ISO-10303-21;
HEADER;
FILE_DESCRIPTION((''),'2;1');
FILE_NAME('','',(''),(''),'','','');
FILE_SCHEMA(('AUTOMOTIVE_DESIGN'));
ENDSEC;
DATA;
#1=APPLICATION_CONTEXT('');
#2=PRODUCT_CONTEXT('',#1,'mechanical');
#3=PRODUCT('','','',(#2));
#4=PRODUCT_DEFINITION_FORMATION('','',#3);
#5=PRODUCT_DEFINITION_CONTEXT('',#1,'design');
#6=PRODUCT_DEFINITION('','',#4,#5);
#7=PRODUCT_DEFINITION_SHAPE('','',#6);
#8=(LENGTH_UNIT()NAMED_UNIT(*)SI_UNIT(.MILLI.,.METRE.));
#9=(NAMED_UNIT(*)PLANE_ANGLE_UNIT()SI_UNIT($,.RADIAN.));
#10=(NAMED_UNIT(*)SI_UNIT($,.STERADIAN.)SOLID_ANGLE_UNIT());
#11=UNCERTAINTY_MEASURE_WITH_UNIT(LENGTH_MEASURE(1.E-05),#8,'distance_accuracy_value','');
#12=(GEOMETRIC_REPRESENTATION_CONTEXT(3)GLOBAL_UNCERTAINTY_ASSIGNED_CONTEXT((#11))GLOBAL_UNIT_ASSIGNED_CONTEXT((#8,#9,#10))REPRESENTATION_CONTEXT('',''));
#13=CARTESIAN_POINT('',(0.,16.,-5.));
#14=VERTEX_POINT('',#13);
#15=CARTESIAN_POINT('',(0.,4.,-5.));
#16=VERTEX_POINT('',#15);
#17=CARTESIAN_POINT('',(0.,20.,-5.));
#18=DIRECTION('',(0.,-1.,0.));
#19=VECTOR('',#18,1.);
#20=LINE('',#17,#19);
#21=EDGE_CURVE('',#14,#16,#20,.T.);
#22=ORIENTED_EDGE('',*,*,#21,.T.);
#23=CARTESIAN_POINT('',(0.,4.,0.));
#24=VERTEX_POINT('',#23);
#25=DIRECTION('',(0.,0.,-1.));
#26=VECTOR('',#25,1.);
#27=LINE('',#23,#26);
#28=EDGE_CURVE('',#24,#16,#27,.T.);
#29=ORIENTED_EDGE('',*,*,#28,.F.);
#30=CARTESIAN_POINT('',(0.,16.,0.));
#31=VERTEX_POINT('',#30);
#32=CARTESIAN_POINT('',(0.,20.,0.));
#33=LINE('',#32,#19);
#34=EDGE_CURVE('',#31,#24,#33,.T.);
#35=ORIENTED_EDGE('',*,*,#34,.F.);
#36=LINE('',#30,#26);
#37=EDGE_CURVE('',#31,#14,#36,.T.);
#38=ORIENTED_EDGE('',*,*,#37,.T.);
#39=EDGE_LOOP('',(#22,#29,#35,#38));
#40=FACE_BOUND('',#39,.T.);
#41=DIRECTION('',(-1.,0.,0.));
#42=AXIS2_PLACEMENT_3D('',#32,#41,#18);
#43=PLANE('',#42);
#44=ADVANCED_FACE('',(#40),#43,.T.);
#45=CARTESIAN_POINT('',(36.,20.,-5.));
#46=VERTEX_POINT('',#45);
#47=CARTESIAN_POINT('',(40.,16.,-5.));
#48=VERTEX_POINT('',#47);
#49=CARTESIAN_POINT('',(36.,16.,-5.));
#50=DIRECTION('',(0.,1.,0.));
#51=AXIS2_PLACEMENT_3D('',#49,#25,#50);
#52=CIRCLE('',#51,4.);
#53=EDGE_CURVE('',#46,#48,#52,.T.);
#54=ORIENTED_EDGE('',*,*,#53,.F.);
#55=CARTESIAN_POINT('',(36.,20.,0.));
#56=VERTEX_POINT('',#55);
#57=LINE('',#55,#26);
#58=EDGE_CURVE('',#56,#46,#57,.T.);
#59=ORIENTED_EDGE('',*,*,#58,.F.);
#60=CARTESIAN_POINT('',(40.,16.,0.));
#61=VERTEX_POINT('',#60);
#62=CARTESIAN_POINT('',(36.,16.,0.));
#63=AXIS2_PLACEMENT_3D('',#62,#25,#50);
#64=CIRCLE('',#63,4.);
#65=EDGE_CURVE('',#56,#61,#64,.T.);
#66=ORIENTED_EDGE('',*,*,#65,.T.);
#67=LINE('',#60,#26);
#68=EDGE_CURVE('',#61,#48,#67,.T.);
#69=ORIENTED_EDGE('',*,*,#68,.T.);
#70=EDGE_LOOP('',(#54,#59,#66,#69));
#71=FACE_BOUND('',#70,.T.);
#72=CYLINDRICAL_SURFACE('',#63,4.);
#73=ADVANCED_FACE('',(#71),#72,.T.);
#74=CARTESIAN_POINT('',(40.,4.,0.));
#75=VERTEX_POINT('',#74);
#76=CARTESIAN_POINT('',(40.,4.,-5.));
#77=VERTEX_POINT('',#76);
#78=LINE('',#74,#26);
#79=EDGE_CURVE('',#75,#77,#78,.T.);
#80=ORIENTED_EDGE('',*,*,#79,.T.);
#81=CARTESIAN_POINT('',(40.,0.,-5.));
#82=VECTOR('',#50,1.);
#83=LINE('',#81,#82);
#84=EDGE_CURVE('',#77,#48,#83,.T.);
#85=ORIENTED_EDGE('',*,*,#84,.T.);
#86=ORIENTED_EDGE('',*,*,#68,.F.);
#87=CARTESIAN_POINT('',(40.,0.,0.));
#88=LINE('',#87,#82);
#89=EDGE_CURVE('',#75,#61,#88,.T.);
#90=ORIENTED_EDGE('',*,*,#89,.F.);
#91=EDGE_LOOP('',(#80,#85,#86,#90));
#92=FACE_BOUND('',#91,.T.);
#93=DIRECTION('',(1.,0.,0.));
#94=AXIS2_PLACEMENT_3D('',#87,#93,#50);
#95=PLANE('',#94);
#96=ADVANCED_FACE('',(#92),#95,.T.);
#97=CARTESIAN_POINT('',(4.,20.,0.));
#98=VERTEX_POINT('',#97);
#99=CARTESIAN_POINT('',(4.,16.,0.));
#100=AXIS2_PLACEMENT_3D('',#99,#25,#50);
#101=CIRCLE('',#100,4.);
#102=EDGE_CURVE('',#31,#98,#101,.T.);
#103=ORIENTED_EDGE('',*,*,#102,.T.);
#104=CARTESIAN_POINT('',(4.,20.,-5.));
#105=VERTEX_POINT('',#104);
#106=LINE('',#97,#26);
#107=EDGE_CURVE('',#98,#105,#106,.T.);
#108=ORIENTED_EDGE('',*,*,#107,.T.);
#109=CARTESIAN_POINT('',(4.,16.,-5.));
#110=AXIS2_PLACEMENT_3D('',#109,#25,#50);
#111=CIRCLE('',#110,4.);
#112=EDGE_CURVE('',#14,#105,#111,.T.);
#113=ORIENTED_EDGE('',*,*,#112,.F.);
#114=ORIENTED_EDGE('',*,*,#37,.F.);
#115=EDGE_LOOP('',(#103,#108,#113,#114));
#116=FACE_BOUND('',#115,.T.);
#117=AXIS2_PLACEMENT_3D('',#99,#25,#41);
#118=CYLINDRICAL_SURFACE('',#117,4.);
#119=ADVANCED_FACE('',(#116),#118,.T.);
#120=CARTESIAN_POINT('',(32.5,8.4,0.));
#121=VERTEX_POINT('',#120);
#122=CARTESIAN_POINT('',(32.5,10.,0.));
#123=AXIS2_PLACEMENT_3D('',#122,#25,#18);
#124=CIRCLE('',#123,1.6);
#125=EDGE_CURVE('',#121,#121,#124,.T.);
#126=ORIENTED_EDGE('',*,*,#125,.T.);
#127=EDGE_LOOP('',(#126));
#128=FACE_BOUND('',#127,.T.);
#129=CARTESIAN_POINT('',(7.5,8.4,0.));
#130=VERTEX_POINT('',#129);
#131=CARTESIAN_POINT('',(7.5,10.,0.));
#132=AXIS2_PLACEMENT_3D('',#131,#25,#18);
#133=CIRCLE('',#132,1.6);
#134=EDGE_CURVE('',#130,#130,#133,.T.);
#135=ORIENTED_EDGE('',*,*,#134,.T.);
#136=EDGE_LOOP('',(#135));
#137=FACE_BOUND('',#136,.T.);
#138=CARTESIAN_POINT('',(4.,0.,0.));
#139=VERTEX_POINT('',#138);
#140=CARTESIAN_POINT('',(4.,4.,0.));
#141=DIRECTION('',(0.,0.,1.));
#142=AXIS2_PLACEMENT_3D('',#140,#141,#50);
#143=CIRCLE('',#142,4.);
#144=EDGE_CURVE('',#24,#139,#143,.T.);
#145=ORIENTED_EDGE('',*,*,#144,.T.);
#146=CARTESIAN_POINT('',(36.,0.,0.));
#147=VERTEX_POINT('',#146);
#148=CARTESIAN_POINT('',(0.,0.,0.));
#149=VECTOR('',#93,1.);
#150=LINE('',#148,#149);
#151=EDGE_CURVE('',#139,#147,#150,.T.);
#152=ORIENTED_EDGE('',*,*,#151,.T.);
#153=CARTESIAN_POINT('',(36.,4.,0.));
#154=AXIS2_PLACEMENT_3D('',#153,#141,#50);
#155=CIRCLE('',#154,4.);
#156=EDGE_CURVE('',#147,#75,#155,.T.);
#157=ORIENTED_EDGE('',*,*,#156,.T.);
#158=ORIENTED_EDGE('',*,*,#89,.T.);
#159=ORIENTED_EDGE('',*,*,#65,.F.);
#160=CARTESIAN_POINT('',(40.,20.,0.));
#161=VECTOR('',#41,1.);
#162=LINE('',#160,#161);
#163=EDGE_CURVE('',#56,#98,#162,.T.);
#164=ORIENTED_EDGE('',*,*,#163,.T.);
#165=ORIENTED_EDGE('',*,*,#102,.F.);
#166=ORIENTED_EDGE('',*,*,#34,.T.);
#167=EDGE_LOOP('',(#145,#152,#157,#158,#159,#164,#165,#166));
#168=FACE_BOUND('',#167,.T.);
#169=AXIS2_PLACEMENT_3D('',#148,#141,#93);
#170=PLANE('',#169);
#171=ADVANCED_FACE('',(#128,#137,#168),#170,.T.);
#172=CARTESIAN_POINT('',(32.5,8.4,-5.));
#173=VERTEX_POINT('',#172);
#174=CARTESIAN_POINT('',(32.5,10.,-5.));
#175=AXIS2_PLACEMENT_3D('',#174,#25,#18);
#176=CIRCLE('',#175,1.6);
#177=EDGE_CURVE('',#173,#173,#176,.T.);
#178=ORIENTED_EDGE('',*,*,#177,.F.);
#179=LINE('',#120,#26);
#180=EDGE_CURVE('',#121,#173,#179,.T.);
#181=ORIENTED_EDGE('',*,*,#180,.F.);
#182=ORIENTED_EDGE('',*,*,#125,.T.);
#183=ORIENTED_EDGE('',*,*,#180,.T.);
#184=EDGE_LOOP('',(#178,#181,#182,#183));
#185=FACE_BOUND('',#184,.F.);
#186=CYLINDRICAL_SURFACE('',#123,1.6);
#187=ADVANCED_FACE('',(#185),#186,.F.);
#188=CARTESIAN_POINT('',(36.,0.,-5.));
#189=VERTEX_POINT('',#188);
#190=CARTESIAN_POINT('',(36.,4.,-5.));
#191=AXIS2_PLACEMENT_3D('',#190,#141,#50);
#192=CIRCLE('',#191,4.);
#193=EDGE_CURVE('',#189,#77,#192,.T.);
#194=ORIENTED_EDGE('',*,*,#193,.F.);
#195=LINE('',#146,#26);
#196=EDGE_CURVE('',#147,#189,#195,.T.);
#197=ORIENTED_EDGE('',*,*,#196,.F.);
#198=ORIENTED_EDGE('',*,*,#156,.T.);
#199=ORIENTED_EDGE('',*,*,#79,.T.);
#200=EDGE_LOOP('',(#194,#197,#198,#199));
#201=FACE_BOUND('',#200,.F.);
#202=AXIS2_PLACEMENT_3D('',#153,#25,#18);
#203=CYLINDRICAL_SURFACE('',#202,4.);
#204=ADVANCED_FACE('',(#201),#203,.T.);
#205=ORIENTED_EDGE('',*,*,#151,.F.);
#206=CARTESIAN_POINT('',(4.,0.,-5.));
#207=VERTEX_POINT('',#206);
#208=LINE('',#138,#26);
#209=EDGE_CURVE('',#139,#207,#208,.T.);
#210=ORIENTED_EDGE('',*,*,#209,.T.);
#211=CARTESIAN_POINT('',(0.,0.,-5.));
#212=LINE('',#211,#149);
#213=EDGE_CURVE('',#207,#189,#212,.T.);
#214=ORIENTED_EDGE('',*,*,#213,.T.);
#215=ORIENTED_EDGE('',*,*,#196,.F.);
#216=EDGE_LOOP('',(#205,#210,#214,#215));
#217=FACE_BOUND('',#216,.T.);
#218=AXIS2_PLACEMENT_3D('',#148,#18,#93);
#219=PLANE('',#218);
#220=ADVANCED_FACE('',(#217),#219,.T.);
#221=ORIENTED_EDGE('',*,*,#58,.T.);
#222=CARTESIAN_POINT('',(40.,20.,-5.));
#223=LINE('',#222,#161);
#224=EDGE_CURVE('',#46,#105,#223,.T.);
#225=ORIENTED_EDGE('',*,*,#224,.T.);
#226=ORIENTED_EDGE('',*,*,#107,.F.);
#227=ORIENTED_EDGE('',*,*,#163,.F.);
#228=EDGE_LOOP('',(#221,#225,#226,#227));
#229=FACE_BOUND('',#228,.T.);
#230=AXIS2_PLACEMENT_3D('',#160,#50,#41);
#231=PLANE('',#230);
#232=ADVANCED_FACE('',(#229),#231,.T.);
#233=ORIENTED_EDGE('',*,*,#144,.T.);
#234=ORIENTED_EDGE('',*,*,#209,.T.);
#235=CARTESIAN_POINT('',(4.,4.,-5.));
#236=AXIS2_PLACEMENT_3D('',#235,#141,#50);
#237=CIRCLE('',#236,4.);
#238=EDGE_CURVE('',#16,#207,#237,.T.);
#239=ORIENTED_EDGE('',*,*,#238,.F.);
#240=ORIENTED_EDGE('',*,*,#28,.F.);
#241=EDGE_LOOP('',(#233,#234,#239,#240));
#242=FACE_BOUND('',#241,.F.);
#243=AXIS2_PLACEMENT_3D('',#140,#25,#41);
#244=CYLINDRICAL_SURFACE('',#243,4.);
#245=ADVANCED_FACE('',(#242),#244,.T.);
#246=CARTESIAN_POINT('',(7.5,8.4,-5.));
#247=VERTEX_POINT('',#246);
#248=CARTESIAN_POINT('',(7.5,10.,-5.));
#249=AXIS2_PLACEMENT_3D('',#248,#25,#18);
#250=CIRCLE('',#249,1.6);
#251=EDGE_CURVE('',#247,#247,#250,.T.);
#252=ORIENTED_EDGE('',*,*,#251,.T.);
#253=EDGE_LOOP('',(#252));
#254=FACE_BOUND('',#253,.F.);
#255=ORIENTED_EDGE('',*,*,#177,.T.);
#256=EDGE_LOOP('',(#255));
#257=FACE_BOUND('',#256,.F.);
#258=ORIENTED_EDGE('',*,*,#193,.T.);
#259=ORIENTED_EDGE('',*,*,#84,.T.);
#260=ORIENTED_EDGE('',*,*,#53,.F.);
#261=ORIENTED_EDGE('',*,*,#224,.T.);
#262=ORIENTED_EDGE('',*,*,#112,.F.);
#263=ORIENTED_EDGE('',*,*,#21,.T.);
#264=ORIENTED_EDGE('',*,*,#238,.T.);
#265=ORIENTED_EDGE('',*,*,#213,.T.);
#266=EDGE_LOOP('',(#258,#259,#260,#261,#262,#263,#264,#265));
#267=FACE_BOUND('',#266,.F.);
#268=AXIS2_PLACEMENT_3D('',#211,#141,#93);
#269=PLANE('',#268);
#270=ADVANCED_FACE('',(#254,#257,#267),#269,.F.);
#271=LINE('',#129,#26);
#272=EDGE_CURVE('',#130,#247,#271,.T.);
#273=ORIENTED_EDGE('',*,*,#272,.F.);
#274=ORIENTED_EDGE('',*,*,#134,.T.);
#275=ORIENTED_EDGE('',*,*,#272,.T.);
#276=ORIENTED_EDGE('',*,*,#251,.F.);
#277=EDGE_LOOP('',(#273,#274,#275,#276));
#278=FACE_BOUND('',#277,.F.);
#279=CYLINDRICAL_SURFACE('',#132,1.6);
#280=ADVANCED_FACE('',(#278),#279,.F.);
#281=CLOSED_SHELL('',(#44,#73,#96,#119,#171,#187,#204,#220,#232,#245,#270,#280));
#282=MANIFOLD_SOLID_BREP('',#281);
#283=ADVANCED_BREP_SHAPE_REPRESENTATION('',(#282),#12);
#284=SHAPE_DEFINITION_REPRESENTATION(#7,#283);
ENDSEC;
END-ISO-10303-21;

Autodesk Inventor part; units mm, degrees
ref_plane "YZ Plane" through (0, 0, 0) normal (1, 0, 0) x (0, 1, 0)
ref_plane "XZ Plane" through (0, 0, 0) normal (0, 1, 0) x (-1, 0, 0)
ref_plane "XY Plane" through (0, 0, 0) normal (0, 0, 1) x (1, 0, 0)
sketch "Sketch1" plane through (0, 0, 0) normal (0, 0, 1) x (1, 0, 0)
  line L0 (0, 0) -> (40, 0)
  line L1 (40, 0) -> (40, 20)
  line L2 (40, 20) -> (0, 20)
  line L3 (0, 20) -> (0, 0)
  point P0 (7.5, 10)
  point P1 (32.5, 10)
  point P2 (40, 10)
  dimension "d0" = 20
  dimension "d1" = 7.5
  dimension "d2" = 7.5
  dimension "d3" = 25
extrude "Extrusion1" add sketch "Sketch1" against normal blind 5
hole "Hole1" at (7.5, 10, 0) at (32.5, 10, 0) direction (0, 0, -1) diameter 3.2 depth 25.4 tip angle 118
fillet "Fillet1" radius 4 4 edges at (40, 20, -2.5) (40, 0, -2.5) (0, 0, -2.5) (0, 20, -2.5)
properties part number "Spacer"
